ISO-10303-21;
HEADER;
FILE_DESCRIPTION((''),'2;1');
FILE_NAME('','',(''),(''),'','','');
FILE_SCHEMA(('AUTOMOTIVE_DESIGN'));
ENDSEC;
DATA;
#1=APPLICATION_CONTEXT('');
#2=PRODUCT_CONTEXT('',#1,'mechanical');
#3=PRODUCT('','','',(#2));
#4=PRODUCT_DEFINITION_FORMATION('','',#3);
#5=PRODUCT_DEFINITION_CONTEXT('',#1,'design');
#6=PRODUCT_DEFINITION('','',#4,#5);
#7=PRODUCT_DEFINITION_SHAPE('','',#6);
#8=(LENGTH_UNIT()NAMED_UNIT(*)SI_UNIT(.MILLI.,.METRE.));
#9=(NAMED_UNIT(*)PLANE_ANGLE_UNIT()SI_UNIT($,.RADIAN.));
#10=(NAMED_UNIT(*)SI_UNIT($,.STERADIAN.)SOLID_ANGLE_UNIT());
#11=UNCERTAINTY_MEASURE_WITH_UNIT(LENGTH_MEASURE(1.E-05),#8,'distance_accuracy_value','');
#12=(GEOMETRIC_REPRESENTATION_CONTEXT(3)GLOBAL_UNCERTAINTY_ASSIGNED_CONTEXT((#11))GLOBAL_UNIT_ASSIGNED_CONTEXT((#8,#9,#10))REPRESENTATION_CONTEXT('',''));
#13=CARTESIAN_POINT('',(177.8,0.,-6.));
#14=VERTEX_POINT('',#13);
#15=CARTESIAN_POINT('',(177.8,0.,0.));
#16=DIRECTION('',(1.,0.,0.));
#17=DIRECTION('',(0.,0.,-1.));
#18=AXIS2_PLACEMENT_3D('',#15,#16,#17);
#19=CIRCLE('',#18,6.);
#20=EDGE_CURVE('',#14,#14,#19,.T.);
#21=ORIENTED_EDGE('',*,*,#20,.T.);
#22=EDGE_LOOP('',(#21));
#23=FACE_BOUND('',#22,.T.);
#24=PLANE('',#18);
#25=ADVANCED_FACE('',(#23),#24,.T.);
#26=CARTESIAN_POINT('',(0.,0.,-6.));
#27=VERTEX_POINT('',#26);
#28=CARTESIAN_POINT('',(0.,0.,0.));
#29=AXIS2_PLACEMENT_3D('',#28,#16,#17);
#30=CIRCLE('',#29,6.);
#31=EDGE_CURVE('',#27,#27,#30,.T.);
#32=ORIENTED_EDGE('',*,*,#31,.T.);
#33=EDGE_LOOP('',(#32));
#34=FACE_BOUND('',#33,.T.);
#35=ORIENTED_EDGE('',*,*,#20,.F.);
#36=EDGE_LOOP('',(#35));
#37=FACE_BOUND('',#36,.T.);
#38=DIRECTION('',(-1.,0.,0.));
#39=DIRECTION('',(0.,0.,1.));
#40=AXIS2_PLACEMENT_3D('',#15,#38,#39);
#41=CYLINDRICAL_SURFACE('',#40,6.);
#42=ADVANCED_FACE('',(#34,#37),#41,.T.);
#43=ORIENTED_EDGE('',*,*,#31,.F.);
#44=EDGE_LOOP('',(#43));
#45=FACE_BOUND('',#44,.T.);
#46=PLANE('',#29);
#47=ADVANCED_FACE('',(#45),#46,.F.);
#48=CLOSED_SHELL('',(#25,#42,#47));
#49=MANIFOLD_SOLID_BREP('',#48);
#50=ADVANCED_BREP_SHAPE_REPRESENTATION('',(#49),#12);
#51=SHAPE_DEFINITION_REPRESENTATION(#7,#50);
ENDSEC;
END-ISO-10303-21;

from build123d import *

# Parameters (mm, degrees)
SKETCH1_R           = 6
BOSS_EXTRUDE1_DEPTH = 177.8


with BuildPart() as part:
    # Sketch1 → Boss-Extrude1 (new body)
    with BuildSketch(Plane(origin=(0, 0, 0), x_dir=(0, 0, -1), z_dir=(1, 0, 0))):
        Circle(SKETCH1_R)
    extrude(amount=BOSS_EXTRUDE1_DEPTH)


solid = part.part
